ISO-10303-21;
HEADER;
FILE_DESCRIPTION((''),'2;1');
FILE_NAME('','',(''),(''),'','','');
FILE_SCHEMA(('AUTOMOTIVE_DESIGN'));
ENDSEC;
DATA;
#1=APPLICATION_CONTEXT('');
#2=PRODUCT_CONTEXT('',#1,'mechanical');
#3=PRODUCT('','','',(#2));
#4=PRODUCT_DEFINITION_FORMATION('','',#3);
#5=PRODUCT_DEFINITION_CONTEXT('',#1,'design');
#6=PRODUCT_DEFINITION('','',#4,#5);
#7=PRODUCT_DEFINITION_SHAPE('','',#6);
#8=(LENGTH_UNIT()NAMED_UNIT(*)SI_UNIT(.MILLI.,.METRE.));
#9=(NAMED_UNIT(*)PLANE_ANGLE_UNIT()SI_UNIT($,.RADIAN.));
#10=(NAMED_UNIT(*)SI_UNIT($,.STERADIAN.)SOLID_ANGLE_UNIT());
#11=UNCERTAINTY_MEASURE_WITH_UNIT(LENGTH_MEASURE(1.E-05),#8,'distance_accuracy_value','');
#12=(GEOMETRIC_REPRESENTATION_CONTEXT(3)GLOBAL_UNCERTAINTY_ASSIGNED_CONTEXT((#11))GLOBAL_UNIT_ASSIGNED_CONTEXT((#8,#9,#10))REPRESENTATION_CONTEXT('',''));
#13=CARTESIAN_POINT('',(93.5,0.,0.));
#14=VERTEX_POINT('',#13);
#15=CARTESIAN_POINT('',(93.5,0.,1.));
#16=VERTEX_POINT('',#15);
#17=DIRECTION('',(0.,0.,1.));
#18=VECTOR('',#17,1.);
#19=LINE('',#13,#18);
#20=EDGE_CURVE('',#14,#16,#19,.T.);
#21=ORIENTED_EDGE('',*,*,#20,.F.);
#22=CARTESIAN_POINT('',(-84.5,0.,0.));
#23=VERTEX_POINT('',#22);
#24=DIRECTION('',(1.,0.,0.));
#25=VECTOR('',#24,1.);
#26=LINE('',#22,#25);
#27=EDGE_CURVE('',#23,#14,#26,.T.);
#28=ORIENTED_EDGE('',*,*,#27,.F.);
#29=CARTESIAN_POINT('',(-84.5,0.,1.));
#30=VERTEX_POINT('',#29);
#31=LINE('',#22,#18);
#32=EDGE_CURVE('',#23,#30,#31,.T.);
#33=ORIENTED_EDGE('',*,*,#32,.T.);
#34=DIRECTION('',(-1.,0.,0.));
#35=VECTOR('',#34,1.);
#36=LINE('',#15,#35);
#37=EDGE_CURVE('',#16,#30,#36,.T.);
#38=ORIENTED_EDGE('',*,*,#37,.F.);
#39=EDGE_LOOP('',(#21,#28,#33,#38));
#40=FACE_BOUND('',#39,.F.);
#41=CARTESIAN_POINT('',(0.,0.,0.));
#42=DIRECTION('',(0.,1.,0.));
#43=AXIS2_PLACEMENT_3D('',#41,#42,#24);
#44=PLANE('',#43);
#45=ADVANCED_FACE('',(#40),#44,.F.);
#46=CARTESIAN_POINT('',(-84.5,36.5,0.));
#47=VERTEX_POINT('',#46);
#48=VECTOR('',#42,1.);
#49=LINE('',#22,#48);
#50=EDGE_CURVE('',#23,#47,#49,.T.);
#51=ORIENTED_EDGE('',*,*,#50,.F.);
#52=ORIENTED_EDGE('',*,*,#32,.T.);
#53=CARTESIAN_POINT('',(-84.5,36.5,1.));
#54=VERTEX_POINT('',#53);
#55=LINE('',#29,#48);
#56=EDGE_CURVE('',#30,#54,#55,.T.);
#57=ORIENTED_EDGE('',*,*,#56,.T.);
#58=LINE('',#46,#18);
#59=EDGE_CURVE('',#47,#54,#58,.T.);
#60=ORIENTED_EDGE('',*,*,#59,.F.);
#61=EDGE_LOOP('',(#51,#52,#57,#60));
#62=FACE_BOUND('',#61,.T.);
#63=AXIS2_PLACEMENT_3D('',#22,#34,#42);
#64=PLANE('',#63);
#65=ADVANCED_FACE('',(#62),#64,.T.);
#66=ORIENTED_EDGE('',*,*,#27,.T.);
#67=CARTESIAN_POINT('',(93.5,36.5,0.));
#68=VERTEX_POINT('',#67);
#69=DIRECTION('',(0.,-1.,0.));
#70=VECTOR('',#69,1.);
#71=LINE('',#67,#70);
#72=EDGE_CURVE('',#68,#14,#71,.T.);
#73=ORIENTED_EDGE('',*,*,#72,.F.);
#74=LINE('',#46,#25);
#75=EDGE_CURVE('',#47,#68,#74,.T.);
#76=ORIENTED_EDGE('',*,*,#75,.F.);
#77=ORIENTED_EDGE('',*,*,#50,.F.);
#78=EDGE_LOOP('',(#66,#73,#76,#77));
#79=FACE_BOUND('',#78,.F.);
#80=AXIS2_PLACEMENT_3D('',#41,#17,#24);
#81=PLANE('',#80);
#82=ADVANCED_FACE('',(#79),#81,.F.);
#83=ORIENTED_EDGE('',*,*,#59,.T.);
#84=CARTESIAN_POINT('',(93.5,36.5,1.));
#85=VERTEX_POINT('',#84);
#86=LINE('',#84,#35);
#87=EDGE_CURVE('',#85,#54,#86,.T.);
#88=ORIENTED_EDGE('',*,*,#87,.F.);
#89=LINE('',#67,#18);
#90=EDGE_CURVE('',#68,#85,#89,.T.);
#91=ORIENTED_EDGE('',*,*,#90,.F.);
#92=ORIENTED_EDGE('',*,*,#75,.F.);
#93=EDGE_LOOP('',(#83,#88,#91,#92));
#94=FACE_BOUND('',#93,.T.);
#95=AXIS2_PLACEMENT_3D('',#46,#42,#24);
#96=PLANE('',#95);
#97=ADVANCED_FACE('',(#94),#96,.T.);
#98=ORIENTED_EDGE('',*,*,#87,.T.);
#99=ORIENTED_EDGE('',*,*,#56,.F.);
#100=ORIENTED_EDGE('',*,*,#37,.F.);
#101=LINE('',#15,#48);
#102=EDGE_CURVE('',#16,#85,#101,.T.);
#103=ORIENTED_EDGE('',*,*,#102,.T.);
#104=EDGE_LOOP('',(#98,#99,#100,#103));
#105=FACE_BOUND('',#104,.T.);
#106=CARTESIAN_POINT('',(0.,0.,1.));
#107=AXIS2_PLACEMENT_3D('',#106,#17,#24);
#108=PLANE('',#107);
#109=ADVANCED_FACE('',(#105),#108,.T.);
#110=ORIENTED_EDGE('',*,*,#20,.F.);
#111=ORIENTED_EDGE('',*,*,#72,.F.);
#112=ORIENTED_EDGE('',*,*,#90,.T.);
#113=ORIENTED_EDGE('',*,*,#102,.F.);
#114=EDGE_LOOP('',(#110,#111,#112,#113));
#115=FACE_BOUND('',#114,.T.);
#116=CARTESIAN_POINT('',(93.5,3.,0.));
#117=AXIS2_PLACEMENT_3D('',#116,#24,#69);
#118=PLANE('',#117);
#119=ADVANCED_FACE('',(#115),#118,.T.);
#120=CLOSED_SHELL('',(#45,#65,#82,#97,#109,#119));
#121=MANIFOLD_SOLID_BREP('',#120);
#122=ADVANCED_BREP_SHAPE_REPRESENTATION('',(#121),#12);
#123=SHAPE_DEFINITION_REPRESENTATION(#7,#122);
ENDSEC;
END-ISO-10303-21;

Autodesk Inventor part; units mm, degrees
ref_plane "YZ Plane" through (0, 0, 0) normal (1, 0, 0) x (0, 1, 0)
ref_plane "XZ Plane" through (0, 0, 0) normal (0, 1, 0) x (-1, 0, 0)
ref_plane "XY Plane" through (0, 0, 0) normal (0, 0, 1) x (1, 0, 0)
sketch "Sketch1" plane through (0, 0, 0) normal (0, 0, 1) x (1, 0, 0)
  line L0 (0, 0) -> (9, 0) projected
  line L1 (9, 0) -> (9, 3) projected
  line L2 (0, 3) -> (9, 3) projected
  line L3 (0, 0) -> (0, 3) projected
  line L4 (-84.5, 36.5) -> (93.5, 36.5)
  line L5 (93.5, 36.5) -> (93.5, 0)
  line L6 (93.5, 0) -> (-84.5, 0)
  line L7 (-84.5, 0) -> (-84.5, 36.5)
  line L8 (93.5, 36.5) -> (93.5, 3) projected
  line L9 (93.5, 36.5) -> (90.5, 36.5) projected
  line L10 (90.5, 3) -> (90.5, 36.5) projected
  line L11 (93.5, 3) -> (90.5, 3) projected
  dimension "d0" = 178
  dimension "d1" = 84.5
  dimension "d2" = 84.5
  dimension "d8" = 0
extrude "Extrusion1" add sketch "Sketch1" along normal blind 1
equation "\"d1\" = d2"
properties part number "back"
